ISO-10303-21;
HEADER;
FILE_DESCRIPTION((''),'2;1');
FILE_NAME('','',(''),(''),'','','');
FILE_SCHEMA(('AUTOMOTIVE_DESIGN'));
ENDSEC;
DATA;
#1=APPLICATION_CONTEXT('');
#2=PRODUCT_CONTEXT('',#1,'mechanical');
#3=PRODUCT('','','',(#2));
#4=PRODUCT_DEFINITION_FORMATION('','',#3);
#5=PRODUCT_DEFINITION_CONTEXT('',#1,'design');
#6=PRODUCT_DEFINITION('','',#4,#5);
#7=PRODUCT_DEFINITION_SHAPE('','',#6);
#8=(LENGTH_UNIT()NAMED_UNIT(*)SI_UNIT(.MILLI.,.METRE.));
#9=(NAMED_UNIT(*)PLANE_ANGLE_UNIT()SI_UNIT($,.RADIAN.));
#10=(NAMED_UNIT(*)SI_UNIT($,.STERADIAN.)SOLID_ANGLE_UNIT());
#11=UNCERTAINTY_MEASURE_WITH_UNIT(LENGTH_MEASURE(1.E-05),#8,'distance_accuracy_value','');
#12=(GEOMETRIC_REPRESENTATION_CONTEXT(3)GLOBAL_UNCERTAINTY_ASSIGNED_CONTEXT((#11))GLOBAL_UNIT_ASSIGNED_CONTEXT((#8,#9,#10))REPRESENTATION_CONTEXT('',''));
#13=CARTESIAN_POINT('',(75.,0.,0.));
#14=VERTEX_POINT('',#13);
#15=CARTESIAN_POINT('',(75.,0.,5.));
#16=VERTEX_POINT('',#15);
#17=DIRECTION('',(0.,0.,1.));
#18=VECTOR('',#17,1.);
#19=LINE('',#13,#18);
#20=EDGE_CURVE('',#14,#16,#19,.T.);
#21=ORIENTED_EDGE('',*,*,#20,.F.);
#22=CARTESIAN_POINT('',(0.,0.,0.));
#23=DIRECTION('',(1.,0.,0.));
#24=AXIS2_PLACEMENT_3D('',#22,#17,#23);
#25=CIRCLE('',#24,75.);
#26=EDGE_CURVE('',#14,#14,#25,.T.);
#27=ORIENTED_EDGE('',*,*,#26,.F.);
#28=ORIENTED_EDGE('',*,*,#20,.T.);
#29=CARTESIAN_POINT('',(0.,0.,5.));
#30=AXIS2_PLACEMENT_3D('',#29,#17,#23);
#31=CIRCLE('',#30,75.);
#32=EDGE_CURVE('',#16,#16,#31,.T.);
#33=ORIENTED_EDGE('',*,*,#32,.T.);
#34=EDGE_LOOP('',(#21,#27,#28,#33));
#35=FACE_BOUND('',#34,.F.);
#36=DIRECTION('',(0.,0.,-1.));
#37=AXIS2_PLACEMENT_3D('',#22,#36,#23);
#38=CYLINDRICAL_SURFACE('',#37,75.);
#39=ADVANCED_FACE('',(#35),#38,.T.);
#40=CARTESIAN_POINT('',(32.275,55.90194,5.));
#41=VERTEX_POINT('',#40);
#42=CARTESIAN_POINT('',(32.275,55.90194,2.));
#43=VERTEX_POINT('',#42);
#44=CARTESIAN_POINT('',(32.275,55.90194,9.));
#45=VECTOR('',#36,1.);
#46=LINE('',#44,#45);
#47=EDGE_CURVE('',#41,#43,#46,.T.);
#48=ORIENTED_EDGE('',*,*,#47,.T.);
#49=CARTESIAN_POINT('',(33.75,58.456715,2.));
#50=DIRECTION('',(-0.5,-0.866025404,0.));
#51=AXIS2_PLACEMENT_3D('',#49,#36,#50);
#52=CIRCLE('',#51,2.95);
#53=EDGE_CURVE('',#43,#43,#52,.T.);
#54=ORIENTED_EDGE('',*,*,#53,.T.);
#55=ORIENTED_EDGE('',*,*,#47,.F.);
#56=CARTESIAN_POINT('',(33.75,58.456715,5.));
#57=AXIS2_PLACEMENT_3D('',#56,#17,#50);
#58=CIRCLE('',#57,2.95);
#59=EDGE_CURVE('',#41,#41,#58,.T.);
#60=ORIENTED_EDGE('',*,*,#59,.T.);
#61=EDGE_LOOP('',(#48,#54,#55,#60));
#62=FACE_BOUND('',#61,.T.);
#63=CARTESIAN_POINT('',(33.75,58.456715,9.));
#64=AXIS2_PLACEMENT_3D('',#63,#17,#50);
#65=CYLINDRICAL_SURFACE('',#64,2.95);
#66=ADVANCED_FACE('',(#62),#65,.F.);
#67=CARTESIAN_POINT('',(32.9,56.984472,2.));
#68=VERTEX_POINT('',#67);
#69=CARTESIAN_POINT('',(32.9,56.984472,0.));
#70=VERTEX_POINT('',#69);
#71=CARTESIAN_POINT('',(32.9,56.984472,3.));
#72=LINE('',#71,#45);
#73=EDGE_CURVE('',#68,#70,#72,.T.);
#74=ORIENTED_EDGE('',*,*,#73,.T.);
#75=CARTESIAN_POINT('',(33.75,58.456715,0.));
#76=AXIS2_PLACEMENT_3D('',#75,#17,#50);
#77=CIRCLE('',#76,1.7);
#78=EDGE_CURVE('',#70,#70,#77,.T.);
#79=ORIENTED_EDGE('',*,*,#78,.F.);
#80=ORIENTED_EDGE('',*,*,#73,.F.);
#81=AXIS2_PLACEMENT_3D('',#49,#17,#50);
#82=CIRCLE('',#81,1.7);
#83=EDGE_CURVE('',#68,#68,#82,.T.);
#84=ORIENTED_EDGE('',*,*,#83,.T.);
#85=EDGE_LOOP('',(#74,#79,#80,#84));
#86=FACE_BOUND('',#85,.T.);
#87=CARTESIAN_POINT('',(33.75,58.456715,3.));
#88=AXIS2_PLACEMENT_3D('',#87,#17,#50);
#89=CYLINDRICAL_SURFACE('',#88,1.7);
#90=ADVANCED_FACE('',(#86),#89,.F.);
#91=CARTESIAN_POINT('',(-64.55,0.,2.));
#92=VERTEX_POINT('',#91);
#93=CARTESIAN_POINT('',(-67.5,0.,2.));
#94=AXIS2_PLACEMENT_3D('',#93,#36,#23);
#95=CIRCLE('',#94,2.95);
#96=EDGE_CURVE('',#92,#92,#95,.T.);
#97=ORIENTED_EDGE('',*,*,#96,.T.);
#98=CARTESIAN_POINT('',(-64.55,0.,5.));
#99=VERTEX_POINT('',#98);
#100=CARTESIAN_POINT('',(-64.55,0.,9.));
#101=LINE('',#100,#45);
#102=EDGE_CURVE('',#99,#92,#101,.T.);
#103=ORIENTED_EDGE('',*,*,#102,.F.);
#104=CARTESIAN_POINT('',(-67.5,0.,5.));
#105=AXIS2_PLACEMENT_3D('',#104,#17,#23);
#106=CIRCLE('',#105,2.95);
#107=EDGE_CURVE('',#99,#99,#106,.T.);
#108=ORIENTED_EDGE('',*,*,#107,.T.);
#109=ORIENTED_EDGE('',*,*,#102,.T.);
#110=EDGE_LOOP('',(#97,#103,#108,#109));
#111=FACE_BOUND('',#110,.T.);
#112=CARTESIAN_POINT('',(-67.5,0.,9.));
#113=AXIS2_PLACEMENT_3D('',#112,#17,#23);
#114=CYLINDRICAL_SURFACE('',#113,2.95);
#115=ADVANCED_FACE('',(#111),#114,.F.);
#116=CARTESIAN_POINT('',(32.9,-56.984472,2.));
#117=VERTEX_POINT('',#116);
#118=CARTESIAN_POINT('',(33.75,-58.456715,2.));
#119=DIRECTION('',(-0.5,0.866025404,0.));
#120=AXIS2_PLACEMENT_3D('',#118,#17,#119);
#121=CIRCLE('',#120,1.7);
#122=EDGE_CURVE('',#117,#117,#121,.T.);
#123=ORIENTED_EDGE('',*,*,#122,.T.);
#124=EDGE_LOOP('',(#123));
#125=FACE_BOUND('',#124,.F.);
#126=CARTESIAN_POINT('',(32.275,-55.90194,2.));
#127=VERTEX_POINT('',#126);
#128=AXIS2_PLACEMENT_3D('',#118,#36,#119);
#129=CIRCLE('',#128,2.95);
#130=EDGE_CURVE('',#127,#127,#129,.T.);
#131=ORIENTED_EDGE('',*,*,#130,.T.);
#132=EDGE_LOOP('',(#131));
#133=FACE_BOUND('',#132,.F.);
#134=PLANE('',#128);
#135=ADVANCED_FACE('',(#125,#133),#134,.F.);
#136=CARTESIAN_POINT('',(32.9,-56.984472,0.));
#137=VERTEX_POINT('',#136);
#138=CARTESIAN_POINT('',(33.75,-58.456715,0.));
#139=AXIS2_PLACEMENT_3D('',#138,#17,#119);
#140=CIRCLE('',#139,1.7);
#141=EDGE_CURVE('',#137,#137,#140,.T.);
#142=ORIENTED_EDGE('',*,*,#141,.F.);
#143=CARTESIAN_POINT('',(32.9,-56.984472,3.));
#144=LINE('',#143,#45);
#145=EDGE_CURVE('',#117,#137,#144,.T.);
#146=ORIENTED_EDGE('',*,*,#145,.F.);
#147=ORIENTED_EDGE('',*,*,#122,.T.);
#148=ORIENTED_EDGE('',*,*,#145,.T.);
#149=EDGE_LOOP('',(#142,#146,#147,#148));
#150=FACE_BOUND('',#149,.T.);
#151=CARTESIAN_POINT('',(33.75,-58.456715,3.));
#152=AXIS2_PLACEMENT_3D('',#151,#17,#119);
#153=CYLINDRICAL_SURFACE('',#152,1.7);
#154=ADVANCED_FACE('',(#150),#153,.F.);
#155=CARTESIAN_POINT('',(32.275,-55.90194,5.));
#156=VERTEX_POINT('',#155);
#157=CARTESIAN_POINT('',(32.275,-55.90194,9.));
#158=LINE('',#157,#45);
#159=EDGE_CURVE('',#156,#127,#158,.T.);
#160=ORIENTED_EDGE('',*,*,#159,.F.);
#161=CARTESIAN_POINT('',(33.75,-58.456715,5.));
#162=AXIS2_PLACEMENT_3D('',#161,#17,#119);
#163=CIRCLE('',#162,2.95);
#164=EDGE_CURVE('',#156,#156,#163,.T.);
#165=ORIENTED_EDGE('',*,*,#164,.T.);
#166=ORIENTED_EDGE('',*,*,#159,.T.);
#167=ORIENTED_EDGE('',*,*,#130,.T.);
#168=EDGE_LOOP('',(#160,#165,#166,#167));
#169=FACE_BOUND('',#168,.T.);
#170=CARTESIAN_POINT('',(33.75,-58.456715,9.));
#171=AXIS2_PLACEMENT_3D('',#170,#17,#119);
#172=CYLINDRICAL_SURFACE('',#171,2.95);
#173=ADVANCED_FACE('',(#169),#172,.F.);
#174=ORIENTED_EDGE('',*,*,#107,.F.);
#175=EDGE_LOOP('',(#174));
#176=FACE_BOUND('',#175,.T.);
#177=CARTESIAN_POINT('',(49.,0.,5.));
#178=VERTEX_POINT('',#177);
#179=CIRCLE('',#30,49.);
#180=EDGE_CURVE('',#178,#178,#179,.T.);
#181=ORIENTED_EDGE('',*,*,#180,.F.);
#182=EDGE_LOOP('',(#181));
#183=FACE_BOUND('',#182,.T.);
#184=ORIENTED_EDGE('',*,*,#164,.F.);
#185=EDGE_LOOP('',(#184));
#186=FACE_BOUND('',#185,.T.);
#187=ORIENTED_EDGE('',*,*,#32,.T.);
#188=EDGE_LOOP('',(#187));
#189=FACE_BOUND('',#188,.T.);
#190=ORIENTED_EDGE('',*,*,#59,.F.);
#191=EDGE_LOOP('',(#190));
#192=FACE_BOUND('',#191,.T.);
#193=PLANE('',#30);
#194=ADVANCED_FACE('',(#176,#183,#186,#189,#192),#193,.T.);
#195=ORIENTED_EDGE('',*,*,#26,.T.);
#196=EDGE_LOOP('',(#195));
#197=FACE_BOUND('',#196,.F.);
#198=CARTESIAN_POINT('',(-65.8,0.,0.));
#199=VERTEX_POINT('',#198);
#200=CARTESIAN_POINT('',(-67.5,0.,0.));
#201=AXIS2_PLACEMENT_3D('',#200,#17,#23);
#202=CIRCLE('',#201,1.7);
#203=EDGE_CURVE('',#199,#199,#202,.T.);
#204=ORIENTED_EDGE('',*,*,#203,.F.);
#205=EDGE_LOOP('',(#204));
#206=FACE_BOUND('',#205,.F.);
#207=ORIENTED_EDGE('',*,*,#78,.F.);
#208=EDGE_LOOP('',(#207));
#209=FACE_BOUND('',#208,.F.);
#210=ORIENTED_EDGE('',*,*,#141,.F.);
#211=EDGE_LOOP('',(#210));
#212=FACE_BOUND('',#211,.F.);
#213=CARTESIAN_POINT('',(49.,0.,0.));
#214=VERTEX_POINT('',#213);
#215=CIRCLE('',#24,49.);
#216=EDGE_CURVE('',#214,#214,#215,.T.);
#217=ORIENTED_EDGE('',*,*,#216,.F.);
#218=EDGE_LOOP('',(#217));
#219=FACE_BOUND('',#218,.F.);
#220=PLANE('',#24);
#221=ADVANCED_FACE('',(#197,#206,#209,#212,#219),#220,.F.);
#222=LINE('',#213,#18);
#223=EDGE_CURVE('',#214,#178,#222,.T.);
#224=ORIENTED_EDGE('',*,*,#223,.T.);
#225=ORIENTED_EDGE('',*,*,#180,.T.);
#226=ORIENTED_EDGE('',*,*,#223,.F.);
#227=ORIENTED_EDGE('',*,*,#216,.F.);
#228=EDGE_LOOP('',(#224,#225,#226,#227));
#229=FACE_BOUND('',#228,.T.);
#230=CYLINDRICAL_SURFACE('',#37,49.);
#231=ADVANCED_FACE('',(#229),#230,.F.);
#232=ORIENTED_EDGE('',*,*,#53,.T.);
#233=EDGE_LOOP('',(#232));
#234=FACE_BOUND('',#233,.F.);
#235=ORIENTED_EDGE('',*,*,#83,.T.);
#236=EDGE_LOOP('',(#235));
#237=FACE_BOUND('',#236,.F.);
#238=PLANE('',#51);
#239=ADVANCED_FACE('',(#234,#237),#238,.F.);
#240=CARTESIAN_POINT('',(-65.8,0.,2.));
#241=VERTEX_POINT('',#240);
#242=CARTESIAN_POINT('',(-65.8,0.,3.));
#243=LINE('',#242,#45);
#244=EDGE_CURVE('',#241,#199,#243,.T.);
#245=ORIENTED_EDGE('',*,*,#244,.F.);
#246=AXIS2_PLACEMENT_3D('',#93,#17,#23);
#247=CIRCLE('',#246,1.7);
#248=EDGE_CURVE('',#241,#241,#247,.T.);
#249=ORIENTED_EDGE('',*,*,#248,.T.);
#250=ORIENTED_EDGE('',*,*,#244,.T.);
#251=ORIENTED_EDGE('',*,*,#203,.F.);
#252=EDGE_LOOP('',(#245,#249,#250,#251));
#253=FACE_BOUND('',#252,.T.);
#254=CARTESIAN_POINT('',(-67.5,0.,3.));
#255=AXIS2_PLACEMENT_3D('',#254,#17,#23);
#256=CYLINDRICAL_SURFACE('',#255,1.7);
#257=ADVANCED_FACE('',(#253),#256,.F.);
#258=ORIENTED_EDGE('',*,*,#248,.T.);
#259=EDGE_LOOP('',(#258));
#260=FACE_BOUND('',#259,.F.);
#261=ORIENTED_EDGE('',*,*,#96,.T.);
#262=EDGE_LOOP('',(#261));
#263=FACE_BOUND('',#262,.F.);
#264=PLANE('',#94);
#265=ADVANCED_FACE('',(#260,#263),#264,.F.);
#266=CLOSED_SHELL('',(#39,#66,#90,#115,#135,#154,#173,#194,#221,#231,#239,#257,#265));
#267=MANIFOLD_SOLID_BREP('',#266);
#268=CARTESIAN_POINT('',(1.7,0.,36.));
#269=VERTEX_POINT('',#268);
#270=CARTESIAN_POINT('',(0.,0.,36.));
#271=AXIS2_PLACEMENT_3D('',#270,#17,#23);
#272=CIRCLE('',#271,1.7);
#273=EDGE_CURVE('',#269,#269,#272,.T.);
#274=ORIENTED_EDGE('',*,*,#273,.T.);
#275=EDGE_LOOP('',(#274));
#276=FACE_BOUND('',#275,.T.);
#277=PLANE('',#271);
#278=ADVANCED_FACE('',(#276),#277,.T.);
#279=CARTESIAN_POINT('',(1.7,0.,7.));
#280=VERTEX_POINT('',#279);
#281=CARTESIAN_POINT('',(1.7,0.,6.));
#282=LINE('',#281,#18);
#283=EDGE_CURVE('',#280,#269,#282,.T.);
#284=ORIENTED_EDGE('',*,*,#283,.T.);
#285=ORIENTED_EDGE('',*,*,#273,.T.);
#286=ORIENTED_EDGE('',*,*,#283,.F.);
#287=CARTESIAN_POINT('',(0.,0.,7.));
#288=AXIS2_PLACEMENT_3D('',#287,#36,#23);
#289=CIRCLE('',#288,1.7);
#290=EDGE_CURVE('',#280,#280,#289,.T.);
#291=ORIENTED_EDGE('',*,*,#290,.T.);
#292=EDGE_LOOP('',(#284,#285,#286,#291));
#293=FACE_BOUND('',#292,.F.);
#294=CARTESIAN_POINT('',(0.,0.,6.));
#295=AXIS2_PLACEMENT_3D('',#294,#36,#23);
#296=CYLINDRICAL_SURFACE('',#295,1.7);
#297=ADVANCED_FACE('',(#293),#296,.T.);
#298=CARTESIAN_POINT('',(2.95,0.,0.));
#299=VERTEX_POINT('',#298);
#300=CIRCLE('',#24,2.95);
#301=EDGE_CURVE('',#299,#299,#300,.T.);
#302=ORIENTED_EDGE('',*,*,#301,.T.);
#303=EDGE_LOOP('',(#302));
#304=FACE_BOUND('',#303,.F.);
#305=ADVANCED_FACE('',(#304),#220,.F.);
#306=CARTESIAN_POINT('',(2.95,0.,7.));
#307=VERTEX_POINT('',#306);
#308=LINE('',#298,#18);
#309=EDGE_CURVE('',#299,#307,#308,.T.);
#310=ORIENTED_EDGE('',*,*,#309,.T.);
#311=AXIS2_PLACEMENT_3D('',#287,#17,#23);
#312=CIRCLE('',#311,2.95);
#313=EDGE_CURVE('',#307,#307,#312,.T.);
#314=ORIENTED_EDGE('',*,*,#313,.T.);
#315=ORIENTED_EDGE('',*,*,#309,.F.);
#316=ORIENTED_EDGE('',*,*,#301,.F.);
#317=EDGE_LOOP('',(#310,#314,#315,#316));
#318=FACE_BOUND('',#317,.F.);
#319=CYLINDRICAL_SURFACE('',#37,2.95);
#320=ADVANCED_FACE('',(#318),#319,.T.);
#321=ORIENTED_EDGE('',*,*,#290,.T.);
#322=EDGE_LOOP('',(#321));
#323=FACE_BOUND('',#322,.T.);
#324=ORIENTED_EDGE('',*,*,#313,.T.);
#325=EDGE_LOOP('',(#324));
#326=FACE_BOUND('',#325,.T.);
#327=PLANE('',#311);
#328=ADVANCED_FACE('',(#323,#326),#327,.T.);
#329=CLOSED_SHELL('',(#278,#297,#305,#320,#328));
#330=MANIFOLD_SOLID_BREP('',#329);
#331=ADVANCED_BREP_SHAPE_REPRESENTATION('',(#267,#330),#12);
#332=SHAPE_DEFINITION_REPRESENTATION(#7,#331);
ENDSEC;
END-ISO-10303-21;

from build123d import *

# Parameters (mm, degrees)
CYLINDER_R               = 2.95
CYLINDER_DEPTH           = 7
CYLINDER001_R            = 1.7
CYLINDER001_DEPTH        = 30
CLONE018_PLACEMENT_ANGLE = 180
ARRAY001_COUNT           = 3
SKETCH005_R              = 75
SKETCH005_R_2            = 49
PAD004_DEPTH             = 5


with BuildPart() as m3bolthead:
    # Cylinder → Cylinder (new body)
    with BuildSketch(Plane.XY):
        Circle(CYLINDER_R)
    extrude(amount=CYLINDER_DEPTH)


with BuildPart() as m3bolt:
    # Cylinder001 → Cylinder001 (new body)
    with BuildSketch(Plane.XY.offset(6)):
        Circle(CYLINDER001_R)
    extrude(amount=CYLINDER001_DEPTH)

    # Fusion: union M3BoltHead
    add(m3bolthead.part)


with BuildPart() as array001:
    # Clone018 base: copy of M3Bolt
    add(m3bolt.part)


with BuildPart() as array001_1:
    # Clone018 placement: moved
    add(array001.part.moved(Location((-67.5, 0, 9))).rotate(Axis((-67.5, 0, 9), (1, 0, 0)), CLONE018_PLACEMENT_ANGLE))

    # Array001: Array001 ×3 about axis
    array001_axis = Axis((0, 0, 0), (0, 0, 1))


with BuildPart() as array001_2:
    add(array001_1.part)
    for i in range(1, ARRAY001_COUNT):
        add(array001_1.part.rotate(array001_axis, i * 360 / ARRAY001_COUNT))


with BuildPart() as basebearingfix:
    # Sketch005 → Pad004 (new body)
    with BuildSketch(Plane.XY):
        Circle(SKETCH005_R)
        Circle(SKETCH005_R_2, mode=Mode.SUBTRACT)
    extrude(amount=PAD004_DEPTH)

    # Cut006: cut Array001
    add(array001_2.part, mode=Mode.SUBTRACT)


solid = Compound([m3bolt.part, basebearingfix.part])
